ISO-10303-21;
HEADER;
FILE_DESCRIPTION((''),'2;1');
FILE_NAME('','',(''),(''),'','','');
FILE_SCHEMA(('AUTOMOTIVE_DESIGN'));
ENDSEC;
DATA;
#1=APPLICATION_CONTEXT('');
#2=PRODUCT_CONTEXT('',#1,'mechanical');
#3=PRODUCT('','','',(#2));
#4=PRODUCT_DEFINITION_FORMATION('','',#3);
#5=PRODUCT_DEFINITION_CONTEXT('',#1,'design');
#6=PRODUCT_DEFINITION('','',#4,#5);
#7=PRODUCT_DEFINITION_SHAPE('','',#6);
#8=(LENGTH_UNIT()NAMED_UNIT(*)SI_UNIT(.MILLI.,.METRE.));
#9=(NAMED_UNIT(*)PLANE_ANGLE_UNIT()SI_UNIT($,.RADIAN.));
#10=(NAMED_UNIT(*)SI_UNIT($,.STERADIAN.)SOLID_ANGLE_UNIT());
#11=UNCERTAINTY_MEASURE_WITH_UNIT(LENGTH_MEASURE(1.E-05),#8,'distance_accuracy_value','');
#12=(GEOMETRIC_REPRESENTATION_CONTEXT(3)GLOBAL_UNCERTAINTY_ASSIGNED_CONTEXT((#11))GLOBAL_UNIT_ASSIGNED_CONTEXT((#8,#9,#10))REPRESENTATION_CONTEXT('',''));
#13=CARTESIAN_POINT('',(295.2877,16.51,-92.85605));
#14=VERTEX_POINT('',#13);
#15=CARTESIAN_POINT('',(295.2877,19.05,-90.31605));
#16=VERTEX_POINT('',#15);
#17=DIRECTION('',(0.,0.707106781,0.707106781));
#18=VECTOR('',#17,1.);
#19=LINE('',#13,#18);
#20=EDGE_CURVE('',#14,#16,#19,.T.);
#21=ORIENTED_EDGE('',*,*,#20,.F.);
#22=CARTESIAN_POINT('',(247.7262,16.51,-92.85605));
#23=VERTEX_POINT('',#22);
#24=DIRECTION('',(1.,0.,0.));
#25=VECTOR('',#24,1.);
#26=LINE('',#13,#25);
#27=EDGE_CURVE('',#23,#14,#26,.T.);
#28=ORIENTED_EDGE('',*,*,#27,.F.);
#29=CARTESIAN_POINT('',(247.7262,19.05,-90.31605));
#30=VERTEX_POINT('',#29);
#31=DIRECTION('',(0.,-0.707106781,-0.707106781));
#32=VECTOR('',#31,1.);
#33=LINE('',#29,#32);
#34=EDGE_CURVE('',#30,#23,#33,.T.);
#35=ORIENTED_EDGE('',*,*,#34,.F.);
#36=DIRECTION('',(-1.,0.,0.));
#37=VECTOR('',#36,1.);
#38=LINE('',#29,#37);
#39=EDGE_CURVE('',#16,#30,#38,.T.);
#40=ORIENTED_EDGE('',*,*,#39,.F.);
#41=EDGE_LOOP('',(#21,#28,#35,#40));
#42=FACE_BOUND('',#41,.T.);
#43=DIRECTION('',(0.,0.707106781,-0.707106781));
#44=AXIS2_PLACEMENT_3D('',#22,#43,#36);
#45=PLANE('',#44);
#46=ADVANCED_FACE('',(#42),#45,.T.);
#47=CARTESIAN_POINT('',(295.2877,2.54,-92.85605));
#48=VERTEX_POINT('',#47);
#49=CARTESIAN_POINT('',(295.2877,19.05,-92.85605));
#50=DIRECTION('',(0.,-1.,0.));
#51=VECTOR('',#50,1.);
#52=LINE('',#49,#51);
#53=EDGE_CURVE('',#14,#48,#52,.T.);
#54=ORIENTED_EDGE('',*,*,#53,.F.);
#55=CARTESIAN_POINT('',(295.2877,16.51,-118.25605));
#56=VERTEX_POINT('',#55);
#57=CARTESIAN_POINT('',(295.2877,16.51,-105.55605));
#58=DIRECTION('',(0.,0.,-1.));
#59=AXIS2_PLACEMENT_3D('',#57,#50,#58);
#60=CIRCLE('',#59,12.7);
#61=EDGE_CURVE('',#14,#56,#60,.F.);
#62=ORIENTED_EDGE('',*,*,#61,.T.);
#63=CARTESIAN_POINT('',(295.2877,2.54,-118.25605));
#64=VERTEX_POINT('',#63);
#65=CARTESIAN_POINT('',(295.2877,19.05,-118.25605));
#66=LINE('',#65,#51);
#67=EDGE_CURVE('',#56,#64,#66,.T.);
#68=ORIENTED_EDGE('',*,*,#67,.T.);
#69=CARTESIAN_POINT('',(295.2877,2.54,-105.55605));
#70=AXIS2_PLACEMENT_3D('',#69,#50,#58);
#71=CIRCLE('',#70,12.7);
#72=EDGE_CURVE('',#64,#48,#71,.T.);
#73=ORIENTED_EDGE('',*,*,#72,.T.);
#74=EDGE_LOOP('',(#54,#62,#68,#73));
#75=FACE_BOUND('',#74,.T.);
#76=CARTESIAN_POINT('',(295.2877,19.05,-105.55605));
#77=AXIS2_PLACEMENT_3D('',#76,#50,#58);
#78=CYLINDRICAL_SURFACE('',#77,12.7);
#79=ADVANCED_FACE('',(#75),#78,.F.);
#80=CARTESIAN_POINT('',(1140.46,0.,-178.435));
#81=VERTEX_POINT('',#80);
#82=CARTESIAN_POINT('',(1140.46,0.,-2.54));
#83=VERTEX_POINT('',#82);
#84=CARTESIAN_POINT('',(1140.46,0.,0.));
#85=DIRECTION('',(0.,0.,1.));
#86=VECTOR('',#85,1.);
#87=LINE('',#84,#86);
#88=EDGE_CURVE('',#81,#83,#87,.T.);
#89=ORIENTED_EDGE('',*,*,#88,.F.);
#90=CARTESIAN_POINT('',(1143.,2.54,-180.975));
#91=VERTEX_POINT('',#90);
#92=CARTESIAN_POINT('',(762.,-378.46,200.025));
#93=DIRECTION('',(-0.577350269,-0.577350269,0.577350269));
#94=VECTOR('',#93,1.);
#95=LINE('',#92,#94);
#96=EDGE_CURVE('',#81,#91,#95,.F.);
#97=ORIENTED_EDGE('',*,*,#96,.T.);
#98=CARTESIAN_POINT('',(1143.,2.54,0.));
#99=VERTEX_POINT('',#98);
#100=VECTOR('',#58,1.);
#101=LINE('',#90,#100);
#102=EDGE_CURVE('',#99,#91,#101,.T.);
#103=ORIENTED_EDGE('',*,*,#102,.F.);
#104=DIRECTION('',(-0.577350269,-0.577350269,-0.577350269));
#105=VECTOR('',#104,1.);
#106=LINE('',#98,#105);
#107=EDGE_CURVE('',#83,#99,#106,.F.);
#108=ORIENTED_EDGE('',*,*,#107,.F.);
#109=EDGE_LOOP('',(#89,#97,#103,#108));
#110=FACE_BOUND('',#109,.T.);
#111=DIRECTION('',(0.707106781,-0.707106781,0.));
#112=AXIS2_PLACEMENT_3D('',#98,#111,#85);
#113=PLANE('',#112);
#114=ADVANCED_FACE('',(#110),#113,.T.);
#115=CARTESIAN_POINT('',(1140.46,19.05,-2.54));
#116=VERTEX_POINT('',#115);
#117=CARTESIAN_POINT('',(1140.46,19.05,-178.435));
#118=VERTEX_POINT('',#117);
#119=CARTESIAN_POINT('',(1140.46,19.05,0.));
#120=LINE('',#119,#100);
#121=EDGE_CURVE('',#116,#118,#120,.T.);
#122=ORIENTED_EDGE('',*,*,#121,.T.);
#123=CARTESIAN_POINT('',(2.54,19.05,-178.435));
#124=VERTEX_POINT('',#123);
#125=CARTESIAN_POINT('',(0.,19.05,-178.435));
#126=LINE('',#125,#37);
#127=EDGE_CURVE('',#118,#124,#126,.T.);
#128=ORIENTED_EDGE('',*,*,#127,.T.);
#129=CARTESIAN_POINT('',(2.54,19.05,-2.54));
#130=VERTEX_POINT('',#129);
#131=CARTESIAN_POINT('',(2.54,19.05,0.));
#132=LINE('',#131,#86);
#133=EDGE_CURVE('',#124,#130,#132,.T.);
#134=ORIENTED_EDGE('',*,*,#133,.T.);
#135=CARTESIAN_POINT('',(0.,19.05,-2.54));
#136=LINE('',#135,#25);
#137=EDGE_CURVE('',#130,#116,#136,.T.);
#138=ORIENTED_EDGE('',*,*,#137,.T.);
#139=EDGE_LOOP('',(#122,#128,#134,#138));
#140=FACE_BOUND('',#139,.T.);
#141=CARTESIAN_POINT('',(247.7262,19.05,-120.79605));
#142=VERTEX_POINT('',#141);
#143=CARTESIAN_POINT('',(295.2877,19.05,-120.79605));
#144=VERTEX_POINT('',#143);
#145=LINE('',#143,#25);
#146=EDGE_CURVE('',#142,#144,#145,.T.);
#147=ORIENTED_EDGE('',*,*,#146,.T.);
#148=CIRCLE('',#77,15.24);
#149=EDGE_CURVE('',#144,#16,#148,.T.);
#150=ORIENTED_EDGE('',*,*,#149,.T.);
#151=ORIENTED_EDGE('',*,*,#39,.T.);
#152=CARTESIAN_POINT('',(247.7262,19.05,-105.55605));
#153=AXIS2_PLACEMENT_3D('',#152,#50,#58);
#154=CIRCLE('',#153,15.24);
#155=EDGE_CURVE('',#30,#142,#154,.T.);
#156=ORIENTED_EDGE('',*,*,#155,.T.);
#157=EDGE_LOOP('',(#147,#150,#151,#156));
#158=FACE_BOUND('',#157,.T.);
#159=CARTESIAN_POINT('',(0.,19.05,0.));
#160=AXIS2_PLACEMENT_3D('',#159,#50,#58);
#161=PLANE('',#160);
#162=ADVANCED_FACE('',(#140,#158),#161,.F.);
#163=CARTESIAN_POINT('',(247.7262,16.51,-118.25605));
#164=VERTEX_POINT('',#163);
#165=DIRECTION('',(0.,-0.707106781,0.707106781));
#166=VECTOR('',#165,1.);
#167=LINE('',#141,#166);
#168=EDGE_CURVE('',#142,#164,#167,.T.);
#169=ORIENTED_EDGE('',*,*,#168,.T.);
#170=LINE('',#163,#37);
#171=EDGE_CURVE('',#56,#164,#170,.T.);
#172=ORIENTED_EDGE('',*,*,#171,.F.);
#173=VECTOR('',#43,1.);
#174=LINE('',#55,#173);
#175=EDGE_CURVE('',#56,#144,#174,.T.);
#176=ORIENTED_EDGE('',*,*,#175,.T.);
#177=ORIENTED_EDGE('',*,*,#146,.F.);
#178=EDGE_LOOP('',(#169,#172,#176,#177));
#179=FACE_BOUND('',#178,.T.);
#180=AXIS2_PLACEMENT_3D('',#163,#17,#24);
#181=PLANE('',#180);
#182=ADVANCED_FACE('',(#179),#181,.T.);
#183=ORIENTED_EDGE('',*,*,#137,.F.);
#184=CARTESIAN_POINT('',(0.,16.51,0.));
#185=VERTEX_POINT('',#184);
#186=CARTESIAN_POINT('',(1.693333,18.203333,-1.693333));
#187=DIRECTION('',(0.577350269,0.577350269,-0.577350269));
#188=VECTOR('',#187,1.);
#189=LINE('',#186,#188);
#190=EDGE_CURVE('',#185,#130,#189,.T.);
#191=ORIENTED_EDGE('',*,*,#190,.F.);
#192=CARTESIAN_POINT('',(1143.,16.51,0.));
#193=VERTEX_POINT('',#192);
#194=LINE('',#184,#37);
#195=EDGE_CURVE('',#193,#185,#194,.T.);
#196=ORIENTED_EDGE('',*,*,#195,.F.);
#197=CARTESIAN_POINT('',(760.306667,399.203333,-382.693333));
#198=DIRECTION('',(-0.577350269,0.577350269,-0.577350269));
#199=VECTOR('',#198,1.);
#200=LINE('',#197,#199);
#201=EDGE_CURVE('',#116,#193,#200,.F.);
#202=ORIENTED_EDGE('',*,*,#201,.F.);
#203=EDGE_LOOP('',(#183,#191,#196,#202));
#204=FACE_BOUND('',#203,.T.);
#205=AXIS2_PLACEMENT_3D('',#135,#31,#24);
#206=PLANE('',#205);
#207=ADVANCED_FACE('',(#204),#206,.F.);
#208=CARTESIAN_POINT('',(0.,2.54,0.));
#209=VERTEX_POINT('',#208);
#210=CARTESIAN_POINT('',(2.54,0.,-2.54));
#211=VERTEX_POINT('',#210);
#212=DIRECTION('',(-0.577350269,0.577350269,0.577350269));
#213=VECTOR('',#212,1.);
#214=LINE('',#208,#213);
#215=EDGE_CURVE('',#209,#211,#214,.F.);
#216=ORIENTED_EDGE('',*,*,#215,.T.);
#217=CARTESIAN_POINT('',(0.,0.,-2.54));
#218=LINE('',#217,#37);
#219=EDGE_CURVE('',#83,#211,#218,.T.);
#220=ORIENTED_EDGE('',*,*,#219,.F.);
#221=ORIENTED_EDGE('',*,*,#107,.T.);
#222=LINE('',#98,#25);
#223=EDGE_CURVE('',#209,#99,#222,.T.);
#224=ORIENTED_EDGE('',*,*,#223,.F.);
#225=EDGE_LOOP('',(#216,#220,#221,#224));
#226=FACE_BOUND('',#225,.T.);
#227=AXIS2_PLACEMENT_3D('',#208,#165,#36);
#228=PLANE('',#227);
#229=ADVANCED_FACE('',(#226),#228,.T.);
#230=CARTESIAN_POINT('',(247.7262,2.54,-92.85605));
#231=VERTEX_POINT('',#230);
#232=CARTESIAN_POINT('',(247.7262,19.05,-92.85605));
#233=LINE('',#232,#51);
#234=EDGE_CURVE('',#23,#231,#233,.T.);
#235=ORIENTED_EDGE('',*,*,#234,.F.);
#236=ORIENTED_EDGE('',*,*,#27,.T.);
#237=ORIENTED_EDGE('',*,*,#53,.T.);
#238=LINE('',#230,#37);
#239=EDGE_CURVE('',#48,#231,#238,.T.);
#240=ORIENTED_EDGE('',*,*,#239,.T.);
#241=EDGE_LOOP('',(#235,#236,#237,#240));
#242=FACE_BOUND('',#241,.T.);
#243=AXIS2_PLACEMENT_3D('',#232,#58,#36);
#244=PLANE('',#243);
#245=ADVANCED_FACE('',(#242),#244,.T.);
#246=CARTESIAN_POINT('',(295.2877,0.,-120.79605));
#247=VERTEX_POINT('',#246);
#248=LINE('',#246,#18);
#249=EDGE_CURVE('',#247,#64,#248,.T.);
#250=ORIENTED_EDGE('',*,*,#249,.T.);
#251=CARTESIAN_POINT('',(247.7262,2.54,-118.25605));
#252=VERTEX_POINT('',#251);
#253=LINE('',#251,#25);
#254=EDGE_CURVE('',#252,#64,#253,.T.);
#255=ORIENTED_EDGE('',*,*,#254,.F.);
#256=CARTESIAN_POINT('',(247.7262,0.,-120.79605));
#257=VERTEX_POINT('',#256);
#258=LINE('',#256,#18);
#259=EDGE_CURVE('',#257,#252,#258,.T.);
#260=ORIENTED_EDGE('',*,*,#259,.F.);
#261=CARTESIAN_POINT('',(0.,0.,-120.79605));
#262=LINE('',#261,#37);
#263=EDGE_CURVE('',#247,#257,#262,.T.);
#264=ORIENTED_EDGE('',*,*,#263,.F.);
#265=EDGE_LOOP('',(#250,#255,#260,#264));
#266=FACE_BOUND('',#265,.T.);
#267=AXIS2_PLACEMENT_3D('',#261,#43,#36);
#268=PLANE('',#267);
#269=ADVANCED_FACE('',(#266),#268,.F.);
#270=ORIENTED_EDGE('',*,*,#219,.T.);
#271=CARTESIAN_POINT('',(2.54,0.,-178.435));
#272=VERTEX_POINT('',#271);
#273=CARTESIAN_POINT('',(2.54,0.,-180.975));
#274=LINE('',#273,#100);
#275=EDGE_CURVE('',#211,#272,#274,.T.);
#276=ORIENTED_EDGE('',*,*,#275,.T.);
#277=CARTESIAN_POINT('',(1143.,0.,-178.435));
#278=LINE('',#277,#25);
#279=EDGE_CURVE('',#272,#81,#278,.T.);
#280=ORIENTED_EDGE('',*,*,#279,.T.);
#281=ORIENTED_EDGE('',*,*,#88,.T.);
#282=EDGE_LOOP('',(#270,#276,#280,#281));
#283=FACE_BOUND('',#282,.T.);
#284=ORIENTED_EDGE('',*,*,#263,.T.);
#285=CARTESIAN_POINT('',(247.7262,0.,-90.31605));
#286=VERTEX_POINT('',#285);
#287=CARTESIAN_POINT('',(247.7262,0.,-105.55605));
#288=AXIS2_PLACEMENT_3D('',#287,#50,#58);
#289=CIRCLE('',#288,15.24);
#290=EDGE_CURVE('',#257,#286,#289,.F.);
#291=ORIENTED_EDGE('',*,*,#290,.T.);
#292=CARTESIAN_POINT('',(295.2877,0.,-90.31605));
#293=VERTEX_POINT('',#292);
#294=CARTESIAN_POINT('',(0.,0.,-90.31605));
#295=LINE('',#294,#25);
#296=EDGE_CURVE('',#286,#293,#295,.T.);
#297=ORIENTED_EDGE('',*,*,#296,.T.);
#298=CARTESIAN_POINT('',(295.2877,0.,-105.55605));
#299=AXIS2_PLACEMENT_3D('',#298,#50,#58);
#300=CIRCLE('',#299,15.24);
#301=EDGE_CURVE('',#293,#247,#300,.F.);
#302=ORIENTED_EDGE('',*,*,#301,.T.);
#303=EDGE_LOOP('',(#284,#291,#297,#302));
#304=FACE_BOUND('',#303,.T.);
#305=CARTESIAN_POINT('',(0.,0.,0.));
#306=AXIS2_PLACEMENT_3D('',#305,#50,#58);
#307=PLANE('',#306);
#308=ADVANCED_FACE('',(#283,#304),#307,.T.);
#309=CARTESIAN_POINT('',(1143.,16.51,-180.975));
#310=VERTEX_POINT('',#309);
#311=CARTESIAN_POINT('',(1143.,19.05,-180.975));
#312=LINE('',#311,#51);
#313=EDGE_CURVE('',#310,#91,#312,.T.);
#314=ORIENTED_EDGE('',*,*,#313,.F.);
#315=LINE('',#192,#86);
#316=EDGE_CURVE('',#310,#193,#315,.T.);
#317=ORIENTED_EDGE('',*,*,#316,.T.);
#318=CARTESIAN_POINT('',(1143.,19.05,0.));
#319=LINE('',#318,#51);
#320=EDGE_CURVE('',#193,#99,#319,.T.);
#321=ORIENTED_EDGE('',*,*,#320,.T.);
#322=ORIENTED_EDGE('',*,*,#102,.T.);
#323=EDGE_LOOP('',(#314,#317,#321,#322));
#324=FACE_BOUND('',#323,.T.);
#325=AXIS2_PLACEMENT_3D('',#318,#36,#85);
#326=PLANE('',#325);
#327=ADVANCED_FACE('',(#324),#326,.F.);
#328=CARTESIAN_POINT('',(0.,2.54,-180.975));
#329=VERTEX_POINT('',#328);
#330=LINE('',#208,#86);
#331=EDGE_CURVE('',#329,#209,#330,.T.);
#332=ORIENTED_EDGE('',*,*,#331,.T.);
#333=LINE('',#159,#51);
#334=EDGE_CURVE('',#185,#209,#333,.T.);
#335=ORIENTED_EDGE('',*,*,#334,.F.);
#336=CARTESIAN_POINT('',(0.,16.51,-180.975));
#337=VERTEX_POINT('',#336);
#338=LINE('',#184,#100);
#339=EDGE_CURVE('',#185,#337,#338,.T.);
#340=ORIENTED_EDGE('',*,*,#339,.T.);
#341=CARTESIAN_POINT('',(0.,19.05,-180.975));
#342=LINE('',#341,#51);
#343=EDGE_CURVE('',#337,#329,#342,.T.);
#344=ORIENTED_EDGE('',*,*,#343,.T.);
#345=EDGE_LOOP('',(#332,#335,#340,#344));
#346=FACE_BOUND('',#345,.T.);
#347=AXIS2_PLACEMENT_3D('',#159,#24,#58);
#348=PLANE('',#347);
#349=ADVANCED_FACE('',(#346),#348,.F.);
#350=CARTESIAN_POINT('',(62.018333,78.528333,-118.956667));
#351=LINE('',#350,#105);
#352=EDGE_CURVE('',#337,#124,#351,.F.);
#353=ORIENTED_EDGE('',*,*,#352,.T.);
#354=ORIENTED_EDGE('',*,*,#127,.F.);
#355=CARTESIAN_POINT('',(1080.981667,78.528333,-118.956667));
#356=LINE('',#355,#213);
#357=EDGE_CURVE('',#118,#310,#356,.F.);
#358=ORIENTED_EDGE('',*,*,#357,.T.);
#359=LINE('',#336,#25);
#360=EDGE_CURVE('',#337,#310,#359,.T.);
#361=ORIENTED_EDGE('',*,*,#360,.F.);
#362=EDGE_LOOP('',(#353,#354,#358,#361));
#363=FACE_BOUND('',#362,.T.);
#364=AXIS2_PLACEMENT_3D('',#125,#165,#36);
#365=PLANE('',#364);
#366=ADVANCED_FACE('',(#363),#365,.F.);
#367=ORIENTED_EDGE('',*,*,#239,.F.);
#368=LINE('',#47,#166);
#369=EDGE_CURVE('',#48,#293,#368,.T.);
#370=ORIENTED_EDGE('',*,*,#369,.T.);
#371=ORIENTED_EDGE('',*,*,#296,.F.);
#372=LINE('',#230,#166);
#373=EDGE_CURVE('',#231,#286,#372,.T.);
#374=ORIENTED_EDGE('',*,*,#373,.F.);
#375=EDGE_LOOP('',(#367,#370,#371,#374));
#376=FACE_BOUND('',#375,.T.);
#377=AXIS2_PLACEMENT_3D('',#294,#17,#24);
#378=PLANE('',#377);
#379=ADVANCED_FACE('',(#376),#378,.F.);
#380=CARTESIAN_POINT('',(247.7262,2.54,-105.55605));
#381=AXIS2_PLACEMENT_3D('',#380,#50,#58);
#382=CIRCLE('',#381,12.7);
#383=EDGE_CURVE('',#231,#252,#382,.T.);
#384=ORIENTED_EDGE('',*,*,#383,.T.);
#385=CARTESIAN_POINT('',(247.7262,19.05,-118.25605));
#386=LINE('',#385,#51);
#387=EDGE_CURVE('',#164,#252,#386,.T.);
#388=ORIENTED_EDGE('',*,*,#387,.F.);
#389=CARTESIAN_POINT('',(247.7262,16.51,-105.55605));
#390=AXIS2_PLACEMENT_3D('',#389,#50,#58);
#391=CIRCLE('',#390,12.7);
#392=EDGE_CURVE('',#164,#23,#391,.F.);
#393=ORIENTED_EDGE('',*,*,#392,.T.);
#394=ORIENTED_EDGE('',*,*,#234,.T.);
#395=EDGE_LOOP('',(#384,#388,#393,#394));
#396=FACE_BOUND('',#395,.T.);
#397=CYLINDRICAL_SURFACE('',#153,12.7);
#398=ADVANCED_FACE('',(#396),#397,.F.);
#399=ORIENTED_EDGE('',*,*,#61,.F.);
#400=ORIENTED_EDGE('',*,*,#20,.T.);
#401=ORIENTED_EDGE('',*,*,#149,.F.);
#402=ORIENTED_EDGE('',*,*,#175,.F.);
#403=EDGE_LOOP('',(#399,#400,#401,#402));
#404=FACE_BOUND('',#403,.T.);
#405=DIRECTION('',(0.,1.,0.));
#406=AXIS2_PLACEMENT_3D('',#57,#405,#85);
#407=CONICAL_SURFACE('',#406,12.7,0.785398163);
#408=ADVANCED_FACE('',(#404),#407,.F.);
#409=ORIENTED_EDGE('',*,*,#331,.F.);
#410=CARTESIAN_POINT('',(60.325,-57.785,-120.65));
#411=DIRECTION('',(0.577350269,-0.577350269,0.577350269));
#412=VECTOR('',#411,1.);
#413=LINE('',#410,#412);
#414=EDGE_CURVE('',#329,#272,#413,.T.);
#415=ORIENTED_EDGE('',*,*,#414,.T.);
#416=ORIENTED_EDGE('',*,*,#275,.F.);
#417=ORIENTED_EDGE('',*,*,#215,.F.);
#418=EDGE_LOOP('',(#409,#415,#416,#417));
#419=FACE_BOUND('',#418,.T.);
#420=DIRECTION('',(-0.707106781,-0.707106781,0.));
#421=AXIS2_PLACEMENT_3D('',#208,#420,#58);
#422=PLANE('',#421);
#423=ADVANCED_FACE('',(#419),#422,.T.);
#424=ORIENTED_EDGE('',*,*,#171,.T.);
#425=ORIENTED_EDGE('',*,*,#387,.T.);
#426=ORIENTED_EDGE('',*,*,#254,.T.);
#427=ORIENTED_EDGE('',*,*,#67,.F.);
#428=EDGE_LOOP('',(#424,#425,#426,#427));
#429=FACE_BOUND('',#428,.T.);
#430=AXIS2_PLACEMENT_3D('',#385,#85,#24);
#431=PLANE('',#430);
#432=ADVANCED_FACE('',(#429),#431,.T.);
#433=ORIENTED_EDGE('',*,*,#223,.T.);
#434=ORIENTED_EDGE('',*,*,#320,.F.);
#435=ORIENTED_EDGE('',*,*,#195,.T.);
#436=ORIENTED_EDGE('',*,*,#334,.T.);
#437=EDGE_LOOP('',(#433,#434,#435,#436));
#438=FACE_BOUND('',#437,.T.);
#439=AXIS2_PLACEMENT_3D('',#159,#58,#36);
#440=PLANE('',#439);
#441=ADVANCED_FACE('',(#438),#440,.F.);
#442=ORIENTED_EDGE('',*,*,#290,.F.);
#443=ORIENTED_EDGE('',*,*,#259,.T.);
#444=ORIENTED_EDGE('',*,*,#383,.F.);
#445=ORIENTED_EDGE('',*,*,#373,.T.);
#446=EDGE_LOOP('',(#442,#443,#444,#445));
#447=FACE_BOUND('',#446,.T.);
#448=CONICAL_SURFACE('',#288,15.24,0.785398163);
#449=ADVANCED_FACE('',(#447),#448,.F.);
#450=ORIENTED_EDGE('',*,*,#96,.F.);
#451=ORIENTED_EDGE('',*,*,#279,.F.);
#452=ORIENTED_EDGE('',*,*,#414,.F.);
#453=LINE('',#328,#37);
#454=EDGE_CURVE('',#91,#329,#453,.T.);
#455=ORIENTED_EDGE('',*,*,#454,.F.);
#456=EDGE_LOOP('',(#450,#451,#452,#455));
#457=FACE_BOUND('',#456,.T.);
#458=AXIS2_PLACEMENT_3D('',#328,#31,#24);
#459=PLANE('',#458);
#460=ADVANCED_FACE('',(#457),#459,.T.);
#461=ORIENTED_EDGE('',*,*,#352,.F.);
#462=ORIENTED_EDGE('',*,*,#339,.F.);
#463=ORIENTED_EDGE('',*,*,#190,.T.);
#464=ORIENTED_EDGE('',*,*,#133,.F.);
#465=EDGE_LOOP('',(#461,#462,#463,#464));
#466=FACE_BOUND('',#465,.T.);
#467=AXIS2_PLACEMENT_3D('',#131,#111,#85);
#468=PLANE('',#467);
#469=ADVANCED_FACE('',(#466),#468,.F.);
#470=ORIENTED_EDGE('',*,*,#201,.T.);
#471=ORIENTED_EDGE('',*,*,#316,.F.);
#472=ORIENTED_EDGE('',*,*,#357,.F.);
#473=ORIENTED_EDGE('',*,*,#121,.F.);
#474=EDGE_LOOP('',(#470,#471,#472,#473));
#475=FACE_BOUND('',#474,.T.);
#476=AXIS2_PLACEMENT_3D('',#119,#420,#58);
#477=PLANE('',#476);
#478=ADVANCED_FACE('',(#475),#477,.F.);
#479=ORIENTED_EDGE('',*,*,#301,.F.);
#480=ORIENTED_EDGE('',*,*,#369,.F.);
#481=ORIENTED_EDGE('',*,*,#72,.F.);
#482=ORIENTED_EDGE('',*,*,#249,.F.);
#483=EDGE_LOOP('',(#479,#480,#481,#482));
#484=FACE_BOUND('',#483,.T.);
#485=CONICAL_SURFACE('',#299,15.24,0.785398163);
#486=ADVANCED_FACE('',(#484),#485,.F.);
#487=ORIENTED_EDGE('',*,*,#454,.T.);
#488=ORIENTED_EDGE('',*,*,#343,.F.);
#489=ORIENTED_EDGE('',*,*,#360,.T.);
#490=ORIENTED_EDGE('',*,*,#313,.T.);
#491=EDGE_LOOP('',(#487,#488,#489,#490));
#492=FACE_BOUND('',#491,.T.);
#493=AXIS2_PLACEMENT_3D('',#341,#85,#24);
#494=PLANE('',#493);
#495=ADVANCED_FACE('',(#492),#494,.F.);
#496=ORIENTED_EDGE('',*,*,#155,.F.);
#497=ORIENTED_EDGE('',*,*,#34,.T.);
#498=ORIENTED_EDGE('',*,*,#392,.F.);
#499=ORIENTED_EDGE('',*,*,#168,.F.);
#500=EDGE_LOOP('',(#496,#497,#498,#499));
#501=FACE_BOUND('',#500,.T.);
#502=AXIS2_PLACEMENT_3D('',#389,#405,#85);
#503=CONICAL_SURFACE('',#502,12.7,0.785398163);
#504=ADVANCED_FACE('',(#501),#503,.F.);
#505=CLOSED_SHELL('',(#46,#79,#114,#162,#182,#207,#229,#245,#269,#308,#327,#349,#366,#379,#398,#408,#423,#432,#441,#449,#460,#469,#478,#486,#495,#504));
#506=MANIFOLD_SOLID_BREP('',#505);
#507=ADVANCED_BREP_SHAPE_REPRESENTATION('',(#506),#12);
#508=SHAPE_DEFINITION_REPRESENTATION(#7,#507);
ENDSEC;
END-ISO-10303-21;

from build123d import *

# Parameters (mm, degrees)
SKETCH1_W           = 1143
SKETCH1_H           = 180.975
BOSS_EXTRUDE1_DEPTH = 19.05
CHAMFER1_SIZE       = 2.54
CHAMFER2_SIZE       = 2.54


with BuildPart() as part:
    # Sketch1 → Boss-Extrude1 (new body)
    with BuildSketch(Plane(origin=(0, 0, 0), x_dir=(1, 0, 0), z_dir=(0, 1, 0))):
        with Locations((571.5, 90.4875)):
            Rectangle(SKETCH1_W, SKETCH1_H)
        with BuildLine():
            Line((247.7262, 118.25605), (295.2877, 118.25605))
            ThreePointArc((295.2877, 118.25605), (307.9877, 105.55605), (295.2877, 92.85605))
            Line((295.2877, 92.85605), (247.7262, 92.85605))
            ThreePointArc((247.7262, 92.85605), (235.0262, 105.55605), (247.7262, 118.25605))
        make_face(mode=Mode.SUBTRACT)
    extrude(amount=BOSS_EXTRUDE1_DEPTH)

    # Chamfer1
    chamfer1_edges = [part.edges().sort_by_distance(p)[0] for p in [
        (1143, 19.05, -90.4875),
        (307.9877, 19.05, -105.55605),
        (571.5, 19.05, -180.975),
        (271.50695, 19.05, -118.25605),
        (235.0262, 19.05, -105.55605),
        (271.50695, 19.05, -92.85605),
        (0, 19.05, -90.4875),
        (571.5, 19.05, 0),
    ]]
    chamfer(chamfer1_edges, length=CHAMFER1_SIZE)

    # Chamfer2
    chamfer2_edges = [part.edges().sort_by_distance(p)[0] for p in [
        (307.9877, 0, -105.55605),
        (271.50695, 0, -118.25605),
        (235.0262, 0, -105.55605),
        (271.50695, 0, -92.85605),
        (571.5, 0, -180.975),
        (1143, 0, -90.4875),
        (571.5, 0, 0),
        (0, 0, -90.4875),
    ]]
    chamfer(chamfer2_edges, length=CHAMFER2_SIZE)


solid = part.part
